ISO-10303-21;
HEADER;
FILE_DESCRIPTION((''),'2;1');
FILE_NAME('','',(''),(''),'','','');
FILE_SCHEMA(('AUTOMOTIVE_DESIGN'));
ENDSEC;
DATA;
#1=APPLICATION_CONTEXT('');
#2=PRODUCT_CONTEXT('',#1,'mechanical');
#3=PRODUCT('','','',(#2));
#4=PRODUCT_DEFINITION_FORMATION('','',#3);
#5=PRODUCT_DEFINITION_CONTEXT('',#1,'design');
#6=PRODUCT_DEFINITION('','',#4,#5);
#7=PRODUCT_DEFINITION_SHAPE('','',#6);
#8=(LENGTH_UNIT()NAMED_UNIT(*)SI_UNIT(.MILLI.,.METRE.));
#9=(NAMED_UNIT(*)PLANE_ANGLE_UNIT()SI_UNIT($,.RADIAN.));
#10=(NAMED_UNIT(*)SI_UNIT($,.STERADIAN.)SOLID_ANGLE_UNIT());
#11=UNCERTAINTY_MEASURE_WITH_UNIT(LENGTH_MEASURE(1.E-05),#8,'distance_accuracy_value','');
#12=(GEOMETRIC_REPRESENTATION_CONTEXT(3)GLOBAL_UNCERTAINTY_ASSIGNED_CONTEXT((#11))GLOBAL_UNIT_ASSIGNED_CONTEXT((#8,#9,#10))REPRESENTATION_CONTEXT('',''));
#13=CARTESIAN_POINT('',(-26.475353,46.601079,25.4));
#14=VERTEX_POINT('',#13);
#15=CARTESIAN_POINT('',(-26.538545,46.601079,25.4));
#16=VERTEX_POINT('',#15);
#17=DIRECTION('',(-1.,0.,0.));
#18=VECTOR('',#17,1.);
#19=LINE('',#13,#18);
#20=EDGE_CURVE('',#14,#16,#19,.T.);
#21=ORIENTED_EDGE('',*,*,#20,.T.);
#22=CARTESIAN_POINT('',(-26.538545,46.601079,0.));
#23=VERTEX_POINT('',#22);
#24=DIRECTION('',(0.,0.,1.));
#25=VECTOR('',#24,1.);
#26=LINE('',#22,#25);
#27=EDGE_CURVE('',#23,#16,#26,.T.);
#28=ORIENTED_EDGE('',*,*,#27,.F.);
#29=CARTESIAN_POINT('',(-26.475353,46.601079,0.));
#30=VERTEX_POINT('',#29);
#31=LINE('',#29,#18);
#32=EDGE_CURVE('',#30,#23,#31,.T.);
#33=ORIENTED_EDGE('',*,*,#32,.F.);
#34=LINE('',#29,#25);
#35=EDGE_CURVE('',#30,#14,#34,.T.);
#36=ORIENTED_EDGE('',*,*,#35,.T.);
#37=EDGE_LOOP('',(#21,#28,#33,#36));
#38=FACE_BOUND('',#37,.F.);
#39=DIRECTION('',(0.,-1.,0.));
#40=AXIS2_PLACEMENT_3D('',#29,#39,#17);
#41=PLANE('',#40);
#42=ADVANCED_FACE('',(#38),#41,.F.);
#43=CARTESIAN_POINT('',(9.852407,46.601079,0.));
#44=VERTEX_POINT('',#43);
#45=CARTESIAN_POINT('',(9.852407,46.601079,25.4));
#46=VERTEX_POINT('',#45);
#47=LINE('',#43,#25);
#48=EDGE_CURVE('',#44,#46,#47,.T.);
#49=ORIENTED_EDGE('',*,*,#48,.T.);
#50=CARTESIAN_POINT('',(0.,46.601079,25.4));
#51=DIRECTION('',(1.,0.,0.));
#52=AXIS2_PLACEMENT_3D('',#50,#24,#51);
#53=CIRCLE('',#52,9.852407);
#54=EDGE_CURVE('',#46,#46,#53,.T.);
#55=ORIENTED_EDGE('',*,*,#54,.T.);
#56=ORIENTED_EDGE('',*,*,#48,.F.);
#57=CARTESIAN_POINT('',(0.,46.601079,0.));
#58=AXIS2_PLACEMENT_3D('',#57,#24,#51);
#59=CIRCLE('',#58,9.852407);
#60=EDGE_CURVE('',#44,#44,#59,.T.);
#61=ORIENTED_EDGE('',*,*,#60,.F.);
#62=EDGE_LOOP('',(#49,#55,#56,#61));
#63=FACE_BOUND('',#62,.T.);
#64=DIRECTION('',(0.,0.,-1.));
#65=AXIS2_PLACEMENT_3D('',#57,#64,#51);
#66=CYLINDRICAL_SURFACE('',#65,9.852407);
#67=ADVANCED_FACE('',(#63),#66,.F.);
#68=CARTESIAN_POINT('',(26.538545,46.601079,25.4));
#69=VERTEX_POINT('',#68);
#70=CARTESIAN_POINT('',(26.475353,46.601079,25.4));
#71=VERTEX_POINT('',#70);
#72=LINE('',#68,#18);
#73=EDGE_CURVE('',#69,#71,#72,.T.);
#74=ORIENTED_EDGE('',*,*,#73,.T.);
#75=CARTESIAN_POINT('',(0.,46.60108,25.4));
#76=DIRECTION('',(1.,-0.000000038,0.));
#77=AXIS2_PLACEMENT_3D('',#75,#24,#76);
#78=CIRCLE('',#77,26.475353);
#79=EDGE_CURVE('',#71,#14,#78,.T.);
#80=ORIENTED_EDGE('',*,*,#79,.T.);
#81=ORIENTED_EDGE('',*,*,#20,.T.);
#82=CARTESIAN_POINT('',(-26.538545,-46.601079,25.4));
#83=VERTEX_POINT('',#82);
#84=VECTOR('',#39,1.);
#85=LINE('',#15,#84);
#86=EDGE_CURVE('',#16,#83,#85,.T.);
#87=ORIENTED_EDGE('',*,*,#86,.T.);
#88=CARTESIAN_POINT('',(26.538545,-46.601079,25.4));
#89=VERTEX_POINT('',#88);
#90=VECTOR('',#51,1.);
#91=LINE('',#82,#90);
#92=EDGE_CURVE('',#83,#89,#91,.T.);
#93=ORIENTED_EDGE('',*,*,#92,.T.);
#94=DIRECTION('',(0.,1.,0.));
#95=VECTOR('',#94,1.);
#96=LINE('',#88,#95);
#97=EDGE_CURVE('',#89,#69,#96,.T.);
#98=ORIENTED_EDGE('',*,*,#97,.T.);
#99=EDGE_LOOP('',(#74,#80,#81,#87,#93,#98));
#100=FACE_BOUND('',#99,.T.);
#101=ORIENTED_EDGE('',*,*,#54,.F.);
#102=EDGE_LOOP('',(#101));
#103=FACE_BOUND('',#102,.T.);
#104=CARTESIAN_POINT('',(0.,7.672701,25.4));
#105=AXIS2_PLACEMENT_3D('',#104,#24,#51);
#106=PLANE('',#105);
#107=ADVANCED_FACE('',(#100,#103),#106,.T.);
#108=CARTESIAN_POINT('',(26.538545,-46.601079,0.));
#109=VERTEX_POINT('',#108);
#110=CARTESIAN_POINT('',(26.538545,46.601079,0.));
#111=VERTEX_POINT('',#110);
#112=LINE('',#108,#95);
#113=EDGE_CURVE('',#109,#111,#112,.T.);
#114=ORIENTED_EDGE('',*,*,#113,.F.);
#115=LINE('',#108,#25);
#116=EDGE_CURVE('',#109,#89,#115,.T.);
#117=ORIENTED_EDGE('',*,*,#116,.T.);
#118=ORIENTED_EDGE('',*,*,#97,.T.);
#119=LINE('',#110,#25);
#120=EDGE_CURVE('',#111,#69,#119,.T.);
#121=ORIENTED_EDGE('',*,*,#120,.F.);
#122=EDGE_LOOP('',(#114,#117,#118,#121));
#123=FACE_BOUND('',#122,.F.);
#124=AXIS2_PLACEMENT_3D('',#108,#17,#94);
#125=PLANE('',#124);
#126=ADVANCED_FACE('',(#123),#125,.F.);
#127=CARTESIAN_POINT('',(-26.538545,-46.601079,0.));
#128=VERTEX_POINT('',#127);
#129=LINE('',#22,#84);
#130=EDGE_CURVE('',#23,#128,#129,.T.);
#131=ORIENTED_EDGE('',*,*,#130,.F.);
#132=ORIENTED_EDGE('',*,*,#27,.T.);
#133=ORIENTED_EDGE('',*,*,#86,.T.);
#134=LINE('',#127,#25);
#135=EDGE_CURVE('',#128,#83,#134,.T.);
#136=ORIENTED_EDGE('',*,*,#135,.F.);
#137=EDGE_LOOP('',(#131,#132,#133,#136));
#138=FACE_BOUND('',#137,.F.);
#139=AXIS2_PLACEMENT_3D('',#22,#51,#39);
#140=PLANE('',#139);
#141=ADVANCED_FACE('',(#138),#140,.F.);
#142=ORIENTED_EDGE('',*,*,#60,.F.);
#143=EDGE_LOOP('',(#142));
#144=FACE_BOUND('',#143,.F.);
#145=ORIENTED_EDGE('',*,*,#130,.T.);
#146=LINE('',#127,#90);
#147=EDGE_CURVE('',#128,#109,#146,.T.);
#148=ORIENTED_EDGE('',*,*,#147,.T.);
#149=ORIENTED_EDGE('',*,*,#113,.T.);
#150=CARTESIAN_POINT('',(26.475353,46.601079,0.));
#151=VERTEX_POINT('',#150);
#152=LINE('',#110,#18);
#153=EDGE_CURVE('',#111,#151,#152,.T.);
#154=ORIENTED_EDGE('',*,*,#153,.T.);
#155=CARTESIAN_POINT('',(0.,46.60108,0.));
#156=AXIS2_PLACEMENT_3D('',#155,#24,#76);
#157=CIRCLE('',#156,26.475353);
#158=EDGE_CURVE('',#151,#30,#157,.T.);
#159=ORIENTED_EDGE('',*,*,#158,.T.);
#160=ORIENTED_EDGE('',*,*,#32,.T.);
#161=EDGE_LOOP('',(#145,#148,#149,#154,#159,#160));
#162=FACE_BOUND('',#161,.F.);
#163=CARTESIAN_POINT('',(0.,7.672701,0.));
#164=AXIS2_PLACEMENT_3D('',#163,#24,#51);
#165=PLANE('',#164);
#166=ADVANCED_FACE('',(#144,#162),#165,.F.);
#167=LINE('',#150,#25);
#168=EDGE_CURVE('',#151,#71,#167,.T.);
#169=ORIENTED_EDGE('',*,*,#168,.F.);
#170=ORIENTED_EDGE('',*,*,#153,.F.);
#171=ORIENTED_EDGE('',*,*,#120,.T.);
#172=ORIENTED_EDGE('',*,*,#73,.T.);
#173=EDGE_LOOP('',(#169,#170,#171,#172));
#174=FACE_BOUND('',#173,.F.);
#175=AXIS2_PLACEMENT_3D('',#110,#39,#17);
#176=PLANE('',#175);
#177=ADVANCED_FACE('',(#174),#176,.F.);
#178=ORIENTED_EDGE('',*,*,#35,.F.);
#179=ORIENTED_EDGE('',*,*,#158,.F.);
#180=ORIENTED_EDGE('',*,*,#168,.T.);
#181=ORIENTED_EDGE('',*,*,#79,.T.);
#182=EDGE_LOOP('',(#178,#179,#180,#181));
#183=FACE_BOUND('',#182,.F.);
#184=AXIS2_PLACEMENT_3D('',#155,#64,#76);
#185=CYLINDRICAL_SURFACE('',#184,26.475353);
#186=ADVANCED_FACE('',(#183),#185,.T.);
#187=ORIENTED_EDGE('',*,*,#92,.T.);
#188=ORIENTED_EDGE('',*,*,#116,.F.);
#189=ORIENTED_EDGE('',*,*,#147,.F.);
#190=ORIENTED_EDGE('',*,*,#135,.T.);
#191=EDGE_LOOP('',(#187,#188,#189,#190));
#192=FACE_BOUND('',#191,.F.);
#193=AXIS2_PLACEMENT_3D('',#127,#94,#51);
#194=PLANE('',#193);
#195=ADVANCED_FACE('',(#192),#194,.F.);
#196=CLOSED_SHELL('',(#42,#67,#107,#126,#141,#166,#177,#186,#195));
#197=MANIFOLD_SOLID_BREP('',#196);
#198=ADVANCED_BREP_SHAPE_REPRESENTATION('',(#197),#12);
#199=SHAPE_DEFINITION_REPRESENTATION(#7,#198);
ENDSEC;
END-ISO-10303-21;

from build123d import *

# Parameters (mm, degrees)
F0_R     = 9.852407
F1_DEPTH = 25.4


with BuildPart() as f1:
    # F0 (on Top) → F1 (new body)
    with BuildSketch(Plane.XY):
        with BuildLine():
            Line((-26.475353, 46.601079), (-26.538545, 46.601079))
            Line((-26.538545, 46.601079), (-26.538545, -46.601079))
            Line((-26.538545, -46.601079), (26.538545, -46.601079))
            Line((26.538545, -46.601079), (26.538545, 46.601079))
            Line((26.538545, 46.601079), (26.475353, 46.601079))
            ThreePointArc((26.475353, 46.601079), (0, 73.076433), (-26.475353, 46.601079))
        make_face()
        with Locations((0, 46.601079)):
            Circle(F0_R, mode=Mode.SUBTRACT)
    extrude(amount=F1_DEPTH)


solid = f1.part
